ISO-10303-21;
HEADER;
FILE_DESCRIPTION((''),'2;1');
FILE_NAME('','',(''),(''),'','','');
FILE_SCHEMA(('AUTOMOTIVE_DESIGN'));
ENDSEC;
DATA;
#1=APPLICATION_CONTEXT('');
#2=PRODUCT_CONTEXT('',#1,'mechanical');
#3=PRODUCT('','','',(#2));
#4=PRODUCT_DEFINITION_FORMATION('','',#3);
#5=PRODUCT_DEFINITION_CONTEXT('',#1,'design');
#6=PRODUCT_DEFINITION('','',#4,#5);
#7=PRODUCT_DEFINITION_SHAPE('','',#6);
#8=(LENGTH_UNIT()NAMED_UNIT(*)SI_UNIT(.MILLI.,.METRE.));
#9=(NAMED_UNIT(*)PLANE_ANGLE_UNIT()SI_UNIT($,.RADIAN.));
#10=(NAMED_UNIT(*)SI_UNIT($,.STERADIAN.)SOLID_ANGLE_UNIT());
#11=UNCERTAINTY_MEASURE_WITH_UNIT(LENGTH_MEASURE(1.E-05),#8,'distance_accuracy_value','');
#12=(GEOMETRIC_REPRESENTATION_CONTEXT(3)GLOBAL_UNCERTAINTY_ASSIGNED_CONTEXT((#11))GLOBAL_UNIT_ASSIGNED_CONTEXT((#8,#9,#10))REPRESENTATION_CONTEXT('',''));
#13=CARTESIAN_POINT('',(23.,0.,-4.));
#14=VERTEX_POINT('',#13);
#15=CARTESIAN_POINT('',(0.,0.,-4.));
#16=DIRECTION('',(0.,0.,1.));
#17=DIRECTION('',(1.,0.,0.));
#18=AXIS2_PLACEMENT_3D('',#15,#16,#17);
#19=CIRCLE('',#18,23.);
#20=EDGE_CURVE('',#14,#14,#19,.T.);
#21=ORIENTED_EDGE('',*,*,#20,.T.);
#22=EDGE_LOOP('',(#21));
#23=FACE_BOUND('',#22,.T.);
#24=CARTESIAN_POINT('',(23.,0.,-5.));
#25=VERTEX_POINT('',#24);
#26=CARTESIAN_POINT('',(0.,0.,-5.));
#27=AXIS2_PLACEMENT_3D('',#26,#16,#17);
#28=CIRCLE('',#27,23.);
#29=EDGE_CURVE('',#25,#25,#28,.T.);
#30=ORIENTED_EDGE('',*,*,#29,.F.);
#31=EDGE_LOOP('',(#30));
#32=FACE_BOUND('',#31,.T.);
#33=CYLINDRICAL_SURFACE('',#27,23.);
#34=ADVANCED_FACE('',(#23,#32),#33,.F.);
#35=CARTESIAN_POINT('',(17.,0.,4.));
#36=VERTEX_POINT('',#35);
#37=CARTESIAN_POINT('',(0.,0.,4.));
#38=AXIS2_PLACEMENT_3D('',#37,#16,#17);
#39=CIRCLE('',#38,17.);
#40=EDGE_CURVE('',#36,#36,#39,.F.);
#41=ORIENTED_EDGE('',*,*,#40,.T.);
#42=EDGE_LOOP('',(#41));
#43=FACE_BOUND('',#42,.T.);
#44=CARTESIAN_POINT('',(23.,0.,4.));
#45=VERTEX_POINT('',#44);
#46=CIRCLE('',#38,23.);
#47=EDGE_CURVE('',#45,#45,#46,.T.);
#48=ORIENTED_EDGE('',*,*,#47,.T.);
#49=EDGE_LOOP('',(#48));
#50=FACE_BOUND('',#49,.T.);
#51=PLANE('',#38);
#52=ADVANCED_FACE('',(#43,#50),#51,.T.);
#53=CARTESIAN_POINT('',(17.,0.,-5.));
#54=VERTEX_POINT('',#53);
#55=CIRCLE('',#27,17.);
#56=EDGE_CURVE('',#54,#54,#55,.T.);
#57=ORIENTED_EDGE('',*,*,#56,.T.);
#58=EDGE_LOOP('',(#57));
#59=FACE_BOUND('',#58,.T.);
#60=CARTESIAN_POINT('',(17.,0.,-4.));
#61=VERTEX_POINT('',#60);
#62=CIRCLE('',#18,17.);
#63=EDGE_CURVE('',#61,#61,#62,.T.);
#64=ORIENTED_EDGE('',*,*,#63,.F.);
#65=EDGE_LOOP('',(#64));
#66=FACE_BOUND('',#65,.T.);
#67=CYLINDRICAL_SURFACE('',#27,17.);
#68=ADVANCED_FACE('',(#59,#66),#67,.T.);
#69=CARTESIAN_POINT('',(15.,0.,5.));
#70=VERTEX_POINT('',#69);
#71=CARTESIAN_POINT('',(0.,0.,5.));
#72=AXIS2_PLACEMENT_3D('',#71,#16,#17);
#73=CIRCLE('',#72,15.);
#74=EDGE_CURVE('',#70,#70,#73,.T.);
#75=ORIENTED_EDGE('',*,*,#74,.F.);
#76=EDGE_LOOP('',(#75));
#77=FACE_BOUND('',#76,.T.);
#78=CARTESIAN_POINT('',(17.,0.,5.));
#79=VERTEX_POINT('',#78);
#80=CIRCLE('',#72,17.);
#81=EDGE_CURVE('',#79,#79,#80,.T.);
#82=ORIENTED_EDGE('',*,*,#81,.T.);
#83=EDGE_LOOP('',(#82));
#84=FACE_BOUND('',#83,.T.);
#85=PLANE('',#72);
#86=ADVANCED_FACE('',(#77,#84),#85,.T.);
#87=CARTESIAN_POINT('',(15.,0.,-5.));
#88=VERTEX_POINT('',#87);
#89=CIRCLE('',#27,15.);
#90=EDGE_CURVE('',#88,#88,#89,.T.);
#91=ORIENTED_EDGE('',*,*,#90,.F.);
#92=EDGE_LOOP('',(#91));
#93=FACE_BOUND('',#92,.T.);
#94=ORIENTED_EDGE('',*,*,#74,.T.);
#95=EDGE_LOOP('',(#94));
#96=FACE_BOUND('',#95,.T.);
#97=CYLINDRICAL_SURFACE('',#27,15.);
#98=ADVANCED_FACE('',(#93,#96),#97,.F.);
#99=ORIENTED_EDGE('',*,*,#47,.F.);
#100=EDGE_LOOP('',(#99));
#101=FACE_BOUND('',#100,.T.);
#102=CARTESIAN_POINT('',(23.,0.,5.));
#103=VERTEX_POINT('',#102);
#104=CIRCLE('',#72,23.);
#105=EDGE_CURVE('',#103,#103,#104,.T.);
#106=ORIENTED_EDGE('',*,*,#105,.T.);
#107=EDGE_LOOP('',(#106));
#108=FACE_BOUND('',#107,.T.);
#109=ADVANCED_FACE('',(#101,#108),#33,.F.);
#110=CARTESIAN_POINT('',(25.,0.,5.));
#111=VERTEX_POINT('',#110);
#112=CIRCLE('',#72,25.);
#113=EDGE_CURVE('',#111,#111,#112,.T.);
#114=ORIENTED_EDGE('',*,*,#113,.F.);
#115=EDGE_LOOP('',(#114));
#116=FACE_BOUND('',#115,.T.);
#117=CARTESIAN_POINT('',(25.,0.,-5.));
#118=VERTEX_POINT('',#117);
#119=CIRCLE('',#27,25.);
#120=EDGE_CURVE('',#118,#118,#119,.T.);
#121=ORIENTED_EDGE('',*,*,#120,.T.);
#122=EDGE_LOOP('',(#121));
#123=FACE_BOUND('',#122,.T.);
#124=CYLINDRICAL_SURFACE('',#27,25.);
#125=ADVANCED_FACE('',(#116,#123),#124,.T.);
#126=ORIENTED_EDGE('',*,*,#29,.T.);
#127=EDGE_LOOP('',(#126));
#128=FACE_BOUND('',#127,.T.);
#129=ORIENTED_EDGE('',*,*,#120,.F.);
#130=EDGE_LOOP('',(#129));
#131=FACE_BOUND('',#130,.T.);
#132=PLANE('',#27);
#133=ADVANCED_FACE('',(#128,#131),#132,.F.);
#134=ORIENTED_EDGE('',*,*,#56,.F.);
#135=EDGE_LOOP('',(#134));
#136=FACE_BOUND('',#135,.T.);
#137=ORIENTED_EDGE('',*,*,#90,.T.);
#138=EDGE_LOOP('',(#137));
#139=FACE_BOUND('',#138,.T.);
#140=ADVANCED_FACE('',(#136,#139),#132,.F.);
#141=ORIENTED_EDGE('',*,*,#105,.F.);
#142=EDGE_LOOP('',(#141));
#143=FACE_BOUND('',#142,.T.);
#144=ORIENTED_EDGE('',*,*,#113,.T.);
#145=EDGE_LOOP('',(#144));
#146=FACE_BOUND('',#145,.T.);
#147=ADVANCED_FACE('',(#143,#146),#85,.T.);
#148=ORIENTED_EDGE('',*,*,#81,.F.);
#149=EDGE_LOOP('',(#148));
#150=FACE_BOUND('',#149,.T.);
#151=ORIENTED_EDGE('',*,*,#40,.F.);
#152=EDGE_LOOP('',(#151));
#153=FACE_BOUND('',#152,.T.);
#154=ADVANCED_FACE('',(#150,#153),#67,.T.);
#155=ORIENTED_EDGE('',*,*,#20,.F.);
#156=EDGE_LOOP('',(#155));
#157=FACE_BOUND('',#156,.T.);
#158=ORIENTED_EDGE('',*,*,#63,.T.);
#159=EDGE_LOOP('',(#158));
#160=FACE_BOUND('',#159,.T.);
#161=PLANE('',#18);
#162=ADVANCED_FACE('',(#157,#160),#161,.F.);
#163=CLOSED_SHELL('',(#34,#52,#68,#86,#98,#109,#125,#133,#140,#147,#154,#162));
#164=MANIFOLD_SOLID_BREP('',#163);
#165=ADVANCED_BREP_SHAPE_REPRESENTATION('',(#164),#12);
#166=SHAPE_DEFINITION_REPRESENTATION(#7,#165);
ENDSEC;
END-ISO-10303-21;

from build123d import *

# Parameters (mm, degrees)
SALIENTE_EXTRUIR1_DEPTH        = 5
SALIENTE_EXTRUIR1_DEPTH_BACK   = 5
CROQUIS1_R                     = 25
CROQUIS1_R_2                   = 23
SALIENTE_EXTRUIR1_2_DEPTH      = 5
SALIENTE_EXTRUIR1_2_DEPTH_BACK = 5
CROQUIS1_R_3                   = 17
CROQUIS1_R_4                   = 15
SALIENTE_EXTRUIR2_DEPTH        = 4
SALIENTE_EXTRUIR2_DEPTH_BACK   = 4
CROQUIS1_3_R                   = 23
CROQUIS1_3_R_2                 = 17


with BuildPart() as part:
    # Croquis1 → Saliente-Extruir1 (new, two sides: drawn at the far end of the back side and taken through both)
    with BuildSketch(Plane.XY.offset(-SALIENTE_EXTRUIR1_DEPTH_BACK)):
        Circle(CROQUIS1_R)
        Circle(CROQUIS1_R_2, mode=Mode.SUBTRACT)
    extrude(amount=SALIENTE_EXTRUIR1_DEPTH + SALIENTE_EXTRUIR1_DEPTH_BACK)



with BuildPart() as body_2:
    # Croquis1 → Saliente-Extruir1 2 (new, two sides: drawn at the far end of the back side and taken through both)
    with BuildSketch(Plane.XY.offset(-SALIENTE_EXTRUIR1_2_DEPTH_BACK)):
        Circle(CROQUIS1_R_3)
        Circle(CROQUIS1_R_4, mode=Mode.SUBTRACT)
    extrude(amount=SALIENTE_EXTRUIR1_2_DEPTH + SALIENTE_EXTRUIR1_2_DEPTH_BACK)


with BuildPart() as part_1:
    add(part.part)

    add(body_2.part)  # Saliente-Extruir2 merges body 2
    # Croquis1<3> → Saliente-Extruir2 (add, two sides: drawn at the far end of the back side and taken through both)
    with BuildSketch(Plane.XY.offset(-SALIENTE_EXTRUIR2_DEPTH_BACK)):
        Circle(CROQUIS1_3_R)
        Circle(CROQUIS1_3_R_2, mode=Mode.SUBTRACT)
    extrude(amount=SALIENTE_EXTRUIR2_DEPTH + SALIENTE_EXTRUIR2_DEPTH_BACK)


solid = part_1.part
